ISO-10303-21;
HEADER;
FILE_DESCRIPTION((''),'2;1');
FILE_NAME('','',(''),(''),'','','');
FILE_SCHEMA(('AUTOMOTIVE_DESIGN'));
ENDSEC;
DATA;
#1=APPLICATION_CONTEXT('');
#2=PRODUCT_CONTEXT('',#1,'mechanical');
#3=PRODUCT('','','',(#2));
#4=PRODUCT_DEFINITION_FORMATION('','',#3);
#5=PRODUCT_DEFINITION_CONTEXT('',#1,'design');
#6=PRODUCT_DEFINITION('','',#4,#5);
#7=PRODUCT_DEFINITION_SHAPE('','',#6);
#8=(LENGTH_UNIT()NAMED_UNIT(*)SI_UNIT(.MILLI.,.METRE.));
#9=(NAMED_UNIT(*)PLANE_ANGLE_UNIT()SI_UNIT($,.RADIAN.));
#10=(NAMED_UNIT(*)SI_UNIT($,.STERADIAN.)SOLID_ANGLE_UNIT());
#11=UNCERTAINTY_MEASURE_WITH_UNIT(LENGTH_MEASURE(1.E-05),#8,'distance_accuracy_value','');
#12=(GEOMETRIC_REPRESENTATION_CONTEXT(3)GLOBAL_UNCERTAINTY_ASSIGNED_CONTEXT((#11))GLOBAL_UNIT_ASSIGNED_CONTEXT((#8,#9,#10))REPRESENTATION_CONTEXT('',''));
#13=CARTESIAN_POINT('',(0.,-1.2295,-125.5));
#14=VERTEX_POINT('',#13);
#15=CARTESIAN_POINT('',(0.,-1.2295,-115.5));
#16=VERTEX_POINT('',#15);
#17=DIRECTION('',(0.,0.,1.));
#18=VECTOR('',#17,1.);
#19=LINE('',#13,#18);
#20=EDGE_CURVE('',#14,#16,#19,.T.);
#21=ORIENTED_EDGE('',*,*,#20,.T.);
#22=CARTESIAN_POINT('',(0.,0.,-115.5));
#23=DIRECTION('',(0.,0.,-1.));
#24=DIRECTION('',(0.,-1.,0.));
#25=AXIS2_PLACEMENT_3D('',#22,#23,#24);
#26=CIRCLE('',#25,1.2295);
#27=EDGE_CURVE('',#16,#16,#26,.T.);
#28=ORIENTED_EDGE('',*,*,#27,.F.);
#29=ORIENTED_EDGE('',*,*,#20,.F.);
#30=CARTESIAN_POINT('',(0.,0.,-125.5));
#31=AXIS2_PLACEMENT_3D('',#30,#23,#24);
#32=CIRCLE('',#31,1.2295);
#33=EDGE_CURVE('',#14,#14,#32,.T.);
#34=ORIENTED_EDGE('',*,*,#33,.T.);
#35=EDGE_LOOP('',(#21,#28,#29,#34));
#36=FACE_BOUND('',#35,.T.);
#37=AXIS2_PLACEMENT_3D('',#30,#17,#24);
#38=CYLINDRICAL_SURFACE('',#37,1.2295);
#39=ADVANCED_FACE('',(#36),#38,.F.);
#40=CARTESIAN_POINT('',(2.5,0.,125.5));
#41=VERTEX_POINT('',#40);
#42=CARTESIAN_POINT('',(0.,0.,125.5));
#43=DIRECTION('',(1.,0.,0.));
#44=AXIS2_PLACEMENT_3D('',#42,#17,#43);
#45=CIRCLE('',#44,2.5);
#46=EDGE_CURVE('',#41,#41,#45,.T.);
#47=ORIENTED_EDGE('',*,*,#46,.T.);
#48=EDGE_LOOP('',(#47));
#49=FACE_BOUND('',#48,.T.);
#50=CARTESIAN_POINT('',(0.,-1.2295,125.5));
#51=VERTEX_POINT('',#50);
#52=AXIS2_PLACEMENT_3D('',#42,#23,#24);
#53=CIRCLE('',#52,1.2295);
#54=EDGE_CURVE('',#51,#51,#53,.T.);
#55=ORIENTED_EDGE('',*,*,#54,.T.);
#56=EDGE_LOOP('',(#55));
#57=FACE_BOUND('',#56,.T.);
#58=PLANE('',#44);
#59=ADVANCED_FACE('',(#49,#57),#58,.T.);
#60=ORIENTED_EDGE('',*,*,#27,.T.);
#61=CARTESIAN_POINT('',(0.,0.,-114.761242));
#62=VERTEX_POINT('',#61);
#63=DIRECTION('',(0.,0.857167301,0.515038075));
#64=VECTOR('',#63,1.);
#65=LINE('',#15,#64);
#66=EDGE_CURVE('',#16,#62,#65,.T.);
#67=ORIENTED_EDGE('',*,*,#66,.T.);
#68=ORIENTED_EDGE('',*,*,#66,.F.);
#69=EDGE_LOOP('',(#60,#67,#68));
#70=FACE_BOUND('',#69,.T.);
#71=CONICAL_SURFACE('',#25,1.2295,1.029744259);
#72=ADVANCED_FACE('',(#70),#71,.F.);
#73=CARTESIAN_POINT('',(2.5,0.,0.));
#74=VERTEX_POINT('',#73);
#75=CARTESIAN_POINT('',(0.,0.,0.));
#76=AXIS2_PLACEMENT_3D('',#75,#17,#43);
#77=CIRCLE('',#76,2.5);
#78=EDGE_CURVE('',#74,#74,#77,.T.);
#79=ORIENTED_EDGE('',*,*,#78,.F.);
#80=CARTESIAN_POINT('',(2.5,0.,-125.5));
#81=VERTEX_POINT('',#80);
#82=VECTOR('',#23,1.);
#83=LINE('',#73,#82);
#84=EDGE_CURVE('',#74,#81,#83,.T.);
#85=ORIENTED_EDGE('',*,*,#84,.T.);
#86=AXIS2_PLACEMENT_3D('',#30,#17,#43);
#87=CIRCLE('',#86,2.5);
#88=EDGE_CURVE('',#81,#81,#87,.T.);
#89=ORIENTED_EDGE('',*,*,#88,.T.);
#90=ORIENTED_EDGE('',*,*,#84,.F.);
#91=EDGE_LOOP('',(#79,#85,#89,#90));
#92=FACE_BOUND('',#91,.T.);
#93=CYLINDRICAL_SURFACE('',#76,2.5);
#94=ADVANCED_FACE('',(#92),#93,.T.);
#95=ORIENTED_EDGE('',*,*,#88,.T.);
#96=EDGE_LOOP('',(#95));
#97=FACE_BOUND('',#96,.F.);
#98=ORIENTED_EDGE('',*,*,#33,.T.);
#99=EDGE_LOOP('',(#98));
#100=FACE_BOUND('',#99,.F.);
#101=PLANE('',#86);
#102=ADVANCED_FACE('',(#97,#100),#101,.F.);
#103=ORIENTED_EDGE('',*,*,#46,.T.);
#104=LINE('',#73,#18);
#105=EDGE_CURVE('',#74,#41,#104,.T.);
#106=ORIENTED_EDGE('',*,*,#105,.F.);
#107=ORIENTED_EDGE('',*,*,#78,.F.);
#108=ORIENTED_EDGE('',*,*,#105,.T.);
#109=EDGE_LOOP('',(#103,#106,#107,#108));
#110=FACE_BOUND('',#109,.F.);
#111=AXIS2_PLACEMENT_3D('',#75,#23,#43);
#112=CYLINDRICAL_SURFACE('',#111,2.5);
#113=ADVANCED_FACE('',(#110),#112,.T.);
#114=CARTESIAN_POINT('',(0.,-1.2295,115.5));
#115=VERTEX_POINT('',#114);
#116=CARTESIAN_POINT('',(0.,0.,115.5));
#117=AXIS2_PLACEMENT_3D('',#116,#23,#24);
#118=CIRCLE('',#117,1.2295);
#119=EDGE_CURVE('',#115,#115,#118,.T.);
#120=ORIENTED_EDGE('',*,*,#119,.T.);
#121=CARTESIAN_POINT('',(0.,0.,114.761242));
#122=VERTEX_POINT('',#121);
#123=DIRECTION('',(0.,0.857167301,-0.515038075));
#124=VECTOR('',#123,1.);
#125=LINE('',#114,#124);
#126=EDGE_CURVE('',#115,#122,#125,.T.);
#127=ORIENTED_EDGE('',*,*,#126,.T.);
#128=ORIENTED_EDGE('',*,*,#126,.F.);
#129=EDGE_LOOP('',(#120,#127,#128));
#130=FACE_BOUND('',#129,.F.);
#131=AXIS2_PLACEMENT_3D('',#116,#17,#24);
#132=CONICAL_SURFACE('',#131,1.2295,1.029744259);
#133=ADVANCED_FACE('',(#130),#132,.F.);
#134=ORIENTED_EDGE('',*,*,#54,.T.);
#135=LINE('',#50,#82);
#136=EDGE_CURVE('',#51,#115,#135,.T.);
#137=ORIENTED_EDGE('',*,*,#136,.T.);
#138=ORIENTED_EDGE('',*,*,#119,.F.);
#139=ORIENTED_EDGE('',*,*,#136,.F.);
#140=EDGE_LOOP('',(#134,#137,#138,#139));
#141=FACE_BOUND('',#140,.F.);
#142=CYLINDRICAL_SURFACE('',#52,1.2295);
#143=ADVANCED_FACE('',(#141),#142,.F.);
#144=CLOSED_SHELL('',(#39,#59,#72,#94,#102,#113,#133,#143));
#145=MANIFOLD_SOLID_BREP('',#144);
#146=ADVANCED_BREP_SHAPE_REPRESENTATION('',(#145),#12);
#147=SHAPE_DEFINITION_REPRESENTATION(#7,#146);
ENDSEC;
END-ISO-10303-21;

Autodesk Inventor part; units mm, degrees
ref_plane "YZ Plane" through (0, 0, 0) normal (1, 0, 0) x (0, 1, 0)
ref_plane "XZ Plane" through (0, 0, 0) normal (0, 1, 0) x (-1, 0, 0)
ref_plane "XY Plane" through (0, 0, 0) normal (0, 0, 1) x (1, 0, 0)
sketch "Náčrt1" plane through (0, 0, 0) normal (0, 0, 1) x (1, 0, 0)
  circle A0 centre (0, 0) radius 2.5
  dimension "d0" = 5
extrude "Vysunutí1" add sketch "Náčrt1" along normal mid plane 251
sketch "Náčrt2" plane through (0, 0, 125.5) normal (0, 0, 1) x (1, 0, 0)
  point P0 (0, 0)
  point P1 (0, 0)
hole "Díra1" at (0, 0, 125.5) direction (0, 0, -1) diameter 2.459 depth 10 tip angle 118 thread size "M3x0.5" class "6H" standard "ISO Metric profile"
mirror "Zrcadlit1" about plane through (0, 0, 0) normal (0, 0, 1) of "Díra1"
properties part number "lifter_rod" material "Hliník 6061"
